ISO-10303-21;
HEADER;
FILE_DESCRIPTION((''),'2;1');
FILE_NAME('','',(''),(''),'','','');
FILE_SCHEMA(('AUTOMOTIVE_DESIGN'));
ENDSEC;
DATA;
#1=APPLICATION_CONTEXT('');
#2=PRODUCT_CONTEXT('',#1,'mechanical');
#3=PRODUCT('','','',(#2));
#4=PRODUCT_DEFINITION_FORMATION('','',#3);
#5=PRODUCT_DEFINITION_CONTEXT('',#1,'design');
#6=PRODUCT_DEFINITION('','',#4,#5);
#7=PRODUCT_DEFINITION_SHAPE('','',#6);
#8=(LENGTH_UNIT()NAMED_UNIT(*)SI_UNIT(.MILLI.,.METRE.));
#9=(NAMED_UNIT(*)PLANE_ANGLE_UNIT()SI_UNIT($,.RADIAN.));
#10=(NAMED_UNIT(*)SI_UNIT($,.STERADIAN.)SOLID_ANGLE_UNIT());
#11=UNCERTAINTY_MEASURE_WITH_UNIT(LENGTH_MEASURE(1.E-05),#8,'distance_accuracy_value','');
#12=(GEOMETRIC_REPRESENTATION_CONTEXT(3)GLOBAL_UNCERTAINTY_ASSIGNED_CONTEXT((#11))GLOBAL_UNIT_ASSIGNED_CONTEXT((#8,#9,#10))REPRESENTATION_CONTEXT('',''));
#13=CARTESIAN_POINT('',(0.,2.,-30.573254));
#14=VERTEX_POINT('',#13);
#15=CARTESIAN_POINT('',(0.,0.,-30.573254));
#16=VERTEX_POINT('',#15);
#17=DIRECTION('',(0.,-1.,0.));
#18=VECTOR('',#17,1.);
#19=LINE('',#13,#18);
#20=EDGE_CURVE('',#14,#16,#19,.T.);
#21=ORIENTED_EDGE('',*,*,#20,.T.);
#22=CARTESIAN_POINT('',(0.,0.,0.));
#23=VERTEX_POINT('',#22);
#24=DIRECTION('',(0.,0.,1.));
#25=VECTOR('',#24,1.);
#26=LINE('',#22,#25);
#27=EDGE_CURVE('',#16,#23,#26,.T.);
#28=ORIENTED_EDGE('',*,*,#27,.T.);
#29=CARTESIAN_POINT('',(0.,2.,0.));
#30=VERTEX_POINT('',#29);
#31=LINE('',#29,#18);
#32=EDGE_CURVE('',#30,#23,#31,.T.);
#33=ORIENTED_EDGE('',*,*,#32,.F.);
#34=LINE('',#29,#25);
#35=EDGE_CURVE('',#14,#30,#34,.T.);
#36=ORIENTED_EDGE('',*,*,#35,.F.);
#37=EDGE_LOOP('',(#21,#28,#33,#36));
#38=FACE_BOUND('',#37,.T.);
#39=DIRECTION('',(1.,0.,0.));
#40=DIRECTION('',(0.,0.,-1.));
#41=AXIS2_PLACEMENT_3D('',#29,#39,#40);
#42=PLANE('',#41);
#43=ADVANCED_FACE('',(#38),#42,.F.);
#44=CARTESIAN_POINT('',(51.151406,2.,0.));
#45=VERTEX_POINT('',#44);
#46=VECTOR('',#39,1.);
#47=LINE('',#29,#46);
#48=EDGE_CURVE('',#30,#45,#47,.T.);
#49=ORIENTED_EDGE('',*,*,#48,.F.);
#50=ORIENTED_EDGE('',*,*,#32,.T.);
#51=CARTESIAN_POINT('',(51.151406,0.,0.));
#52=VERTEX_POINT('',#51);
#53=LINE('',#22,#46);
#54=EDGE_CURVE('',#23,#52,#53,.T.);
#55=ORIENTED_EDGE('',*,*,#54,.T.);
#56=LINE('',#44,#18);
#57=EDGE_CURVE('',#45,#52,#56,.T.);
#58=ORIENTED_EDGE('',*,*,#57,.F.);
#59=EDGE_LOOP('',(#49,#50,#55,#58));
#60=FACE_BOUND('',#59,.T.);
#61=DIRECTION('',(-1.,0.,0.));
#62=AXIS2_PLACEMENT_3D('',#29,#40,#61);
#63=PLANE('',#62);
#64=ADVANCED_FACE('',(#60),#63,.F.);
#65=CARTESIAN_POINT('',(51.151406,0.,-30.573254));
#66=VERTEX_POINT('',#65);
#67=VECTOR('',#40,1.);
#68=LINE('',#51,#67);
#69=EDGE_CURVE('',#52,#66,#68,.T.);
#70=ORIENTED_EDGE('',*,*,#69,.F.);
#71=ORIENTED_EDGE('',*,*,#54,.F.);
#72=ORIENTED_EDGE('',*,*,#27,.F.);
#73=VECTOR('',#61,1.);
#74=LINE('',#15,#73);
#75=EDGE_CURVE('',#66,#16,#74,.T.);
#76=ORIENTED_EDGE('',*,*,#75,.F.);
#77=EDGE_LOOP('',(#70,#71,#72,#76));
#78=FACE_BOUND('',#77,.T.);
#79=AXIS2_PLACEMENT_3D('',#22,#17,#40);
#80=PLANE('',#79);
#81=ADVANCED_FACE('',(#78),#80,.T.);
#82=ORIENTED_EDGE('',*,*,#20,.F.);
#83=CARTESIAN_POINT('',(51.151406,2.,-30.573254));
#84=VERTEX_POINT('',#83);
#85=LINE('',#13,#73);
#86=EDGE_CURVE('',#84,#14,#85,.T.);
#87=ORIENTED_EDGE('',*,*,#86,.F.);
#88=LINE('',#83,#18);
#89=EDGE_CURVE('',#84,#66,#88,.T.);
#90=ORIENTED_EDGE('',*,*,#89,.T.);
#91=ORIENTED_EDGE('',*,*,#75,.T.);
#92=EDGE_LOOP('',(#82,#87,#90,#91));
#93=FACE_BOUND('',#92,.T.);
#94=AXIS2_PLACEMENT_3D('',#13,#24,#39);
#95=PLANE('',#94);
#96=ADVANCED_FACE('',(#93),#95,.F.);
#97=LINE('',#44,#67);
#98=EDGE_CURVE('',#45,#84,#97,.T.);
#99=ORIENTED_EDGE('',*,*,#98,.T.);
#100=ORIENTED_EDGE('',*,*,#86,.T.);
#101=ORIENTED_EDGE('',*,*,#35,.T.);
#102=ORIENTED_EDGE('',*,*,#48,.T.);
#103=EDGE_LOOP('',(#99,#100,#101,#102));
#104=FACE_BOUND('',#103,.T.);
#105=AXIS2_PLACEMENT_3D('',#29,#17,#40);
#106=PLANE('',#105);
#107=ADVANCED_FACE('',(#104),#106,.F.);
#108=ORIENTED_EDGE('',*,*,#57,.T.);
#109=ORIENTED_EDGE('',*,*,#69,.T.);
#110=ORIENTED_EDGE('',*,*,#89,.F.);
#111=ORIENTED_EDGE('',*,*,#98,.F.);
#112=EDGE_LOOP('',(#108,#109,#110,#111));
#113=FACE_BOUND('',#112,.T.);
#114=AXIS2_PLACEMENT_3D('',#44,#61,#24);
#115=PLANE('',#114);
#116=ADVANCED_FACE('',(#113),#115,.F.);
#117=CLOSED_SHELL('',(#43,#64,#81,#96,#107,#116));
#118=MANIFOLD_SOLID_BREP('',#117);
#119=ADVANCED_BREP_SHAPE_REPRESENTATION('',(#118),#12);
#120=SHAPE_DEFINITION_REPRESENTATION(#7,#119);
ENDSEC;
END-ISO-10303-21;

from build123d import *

# Parameters (mm, degrees)
ESQUISSE1_W        = 51.151406423
ESQUISSE1_H        = 30.573254414
BOSS_EXTRU_1_DEPTH = 2


with BuildPart() as part:
    # Esquisse1 → Boss.-Extru.1 (new body)
    with BuildSketch(Plane(origin=(0, 0, 0), x_dir=(1, 0, 0), z_dir=(0, 1, 0))):
        with Locations((25.575703212, 15.286627207)):
            Rectangle(ESQUISSE1_W, ESQUISSE1_H)
    extrude(amount=BOSS_EXTRU_1_DEPTH)


solid = part.part
